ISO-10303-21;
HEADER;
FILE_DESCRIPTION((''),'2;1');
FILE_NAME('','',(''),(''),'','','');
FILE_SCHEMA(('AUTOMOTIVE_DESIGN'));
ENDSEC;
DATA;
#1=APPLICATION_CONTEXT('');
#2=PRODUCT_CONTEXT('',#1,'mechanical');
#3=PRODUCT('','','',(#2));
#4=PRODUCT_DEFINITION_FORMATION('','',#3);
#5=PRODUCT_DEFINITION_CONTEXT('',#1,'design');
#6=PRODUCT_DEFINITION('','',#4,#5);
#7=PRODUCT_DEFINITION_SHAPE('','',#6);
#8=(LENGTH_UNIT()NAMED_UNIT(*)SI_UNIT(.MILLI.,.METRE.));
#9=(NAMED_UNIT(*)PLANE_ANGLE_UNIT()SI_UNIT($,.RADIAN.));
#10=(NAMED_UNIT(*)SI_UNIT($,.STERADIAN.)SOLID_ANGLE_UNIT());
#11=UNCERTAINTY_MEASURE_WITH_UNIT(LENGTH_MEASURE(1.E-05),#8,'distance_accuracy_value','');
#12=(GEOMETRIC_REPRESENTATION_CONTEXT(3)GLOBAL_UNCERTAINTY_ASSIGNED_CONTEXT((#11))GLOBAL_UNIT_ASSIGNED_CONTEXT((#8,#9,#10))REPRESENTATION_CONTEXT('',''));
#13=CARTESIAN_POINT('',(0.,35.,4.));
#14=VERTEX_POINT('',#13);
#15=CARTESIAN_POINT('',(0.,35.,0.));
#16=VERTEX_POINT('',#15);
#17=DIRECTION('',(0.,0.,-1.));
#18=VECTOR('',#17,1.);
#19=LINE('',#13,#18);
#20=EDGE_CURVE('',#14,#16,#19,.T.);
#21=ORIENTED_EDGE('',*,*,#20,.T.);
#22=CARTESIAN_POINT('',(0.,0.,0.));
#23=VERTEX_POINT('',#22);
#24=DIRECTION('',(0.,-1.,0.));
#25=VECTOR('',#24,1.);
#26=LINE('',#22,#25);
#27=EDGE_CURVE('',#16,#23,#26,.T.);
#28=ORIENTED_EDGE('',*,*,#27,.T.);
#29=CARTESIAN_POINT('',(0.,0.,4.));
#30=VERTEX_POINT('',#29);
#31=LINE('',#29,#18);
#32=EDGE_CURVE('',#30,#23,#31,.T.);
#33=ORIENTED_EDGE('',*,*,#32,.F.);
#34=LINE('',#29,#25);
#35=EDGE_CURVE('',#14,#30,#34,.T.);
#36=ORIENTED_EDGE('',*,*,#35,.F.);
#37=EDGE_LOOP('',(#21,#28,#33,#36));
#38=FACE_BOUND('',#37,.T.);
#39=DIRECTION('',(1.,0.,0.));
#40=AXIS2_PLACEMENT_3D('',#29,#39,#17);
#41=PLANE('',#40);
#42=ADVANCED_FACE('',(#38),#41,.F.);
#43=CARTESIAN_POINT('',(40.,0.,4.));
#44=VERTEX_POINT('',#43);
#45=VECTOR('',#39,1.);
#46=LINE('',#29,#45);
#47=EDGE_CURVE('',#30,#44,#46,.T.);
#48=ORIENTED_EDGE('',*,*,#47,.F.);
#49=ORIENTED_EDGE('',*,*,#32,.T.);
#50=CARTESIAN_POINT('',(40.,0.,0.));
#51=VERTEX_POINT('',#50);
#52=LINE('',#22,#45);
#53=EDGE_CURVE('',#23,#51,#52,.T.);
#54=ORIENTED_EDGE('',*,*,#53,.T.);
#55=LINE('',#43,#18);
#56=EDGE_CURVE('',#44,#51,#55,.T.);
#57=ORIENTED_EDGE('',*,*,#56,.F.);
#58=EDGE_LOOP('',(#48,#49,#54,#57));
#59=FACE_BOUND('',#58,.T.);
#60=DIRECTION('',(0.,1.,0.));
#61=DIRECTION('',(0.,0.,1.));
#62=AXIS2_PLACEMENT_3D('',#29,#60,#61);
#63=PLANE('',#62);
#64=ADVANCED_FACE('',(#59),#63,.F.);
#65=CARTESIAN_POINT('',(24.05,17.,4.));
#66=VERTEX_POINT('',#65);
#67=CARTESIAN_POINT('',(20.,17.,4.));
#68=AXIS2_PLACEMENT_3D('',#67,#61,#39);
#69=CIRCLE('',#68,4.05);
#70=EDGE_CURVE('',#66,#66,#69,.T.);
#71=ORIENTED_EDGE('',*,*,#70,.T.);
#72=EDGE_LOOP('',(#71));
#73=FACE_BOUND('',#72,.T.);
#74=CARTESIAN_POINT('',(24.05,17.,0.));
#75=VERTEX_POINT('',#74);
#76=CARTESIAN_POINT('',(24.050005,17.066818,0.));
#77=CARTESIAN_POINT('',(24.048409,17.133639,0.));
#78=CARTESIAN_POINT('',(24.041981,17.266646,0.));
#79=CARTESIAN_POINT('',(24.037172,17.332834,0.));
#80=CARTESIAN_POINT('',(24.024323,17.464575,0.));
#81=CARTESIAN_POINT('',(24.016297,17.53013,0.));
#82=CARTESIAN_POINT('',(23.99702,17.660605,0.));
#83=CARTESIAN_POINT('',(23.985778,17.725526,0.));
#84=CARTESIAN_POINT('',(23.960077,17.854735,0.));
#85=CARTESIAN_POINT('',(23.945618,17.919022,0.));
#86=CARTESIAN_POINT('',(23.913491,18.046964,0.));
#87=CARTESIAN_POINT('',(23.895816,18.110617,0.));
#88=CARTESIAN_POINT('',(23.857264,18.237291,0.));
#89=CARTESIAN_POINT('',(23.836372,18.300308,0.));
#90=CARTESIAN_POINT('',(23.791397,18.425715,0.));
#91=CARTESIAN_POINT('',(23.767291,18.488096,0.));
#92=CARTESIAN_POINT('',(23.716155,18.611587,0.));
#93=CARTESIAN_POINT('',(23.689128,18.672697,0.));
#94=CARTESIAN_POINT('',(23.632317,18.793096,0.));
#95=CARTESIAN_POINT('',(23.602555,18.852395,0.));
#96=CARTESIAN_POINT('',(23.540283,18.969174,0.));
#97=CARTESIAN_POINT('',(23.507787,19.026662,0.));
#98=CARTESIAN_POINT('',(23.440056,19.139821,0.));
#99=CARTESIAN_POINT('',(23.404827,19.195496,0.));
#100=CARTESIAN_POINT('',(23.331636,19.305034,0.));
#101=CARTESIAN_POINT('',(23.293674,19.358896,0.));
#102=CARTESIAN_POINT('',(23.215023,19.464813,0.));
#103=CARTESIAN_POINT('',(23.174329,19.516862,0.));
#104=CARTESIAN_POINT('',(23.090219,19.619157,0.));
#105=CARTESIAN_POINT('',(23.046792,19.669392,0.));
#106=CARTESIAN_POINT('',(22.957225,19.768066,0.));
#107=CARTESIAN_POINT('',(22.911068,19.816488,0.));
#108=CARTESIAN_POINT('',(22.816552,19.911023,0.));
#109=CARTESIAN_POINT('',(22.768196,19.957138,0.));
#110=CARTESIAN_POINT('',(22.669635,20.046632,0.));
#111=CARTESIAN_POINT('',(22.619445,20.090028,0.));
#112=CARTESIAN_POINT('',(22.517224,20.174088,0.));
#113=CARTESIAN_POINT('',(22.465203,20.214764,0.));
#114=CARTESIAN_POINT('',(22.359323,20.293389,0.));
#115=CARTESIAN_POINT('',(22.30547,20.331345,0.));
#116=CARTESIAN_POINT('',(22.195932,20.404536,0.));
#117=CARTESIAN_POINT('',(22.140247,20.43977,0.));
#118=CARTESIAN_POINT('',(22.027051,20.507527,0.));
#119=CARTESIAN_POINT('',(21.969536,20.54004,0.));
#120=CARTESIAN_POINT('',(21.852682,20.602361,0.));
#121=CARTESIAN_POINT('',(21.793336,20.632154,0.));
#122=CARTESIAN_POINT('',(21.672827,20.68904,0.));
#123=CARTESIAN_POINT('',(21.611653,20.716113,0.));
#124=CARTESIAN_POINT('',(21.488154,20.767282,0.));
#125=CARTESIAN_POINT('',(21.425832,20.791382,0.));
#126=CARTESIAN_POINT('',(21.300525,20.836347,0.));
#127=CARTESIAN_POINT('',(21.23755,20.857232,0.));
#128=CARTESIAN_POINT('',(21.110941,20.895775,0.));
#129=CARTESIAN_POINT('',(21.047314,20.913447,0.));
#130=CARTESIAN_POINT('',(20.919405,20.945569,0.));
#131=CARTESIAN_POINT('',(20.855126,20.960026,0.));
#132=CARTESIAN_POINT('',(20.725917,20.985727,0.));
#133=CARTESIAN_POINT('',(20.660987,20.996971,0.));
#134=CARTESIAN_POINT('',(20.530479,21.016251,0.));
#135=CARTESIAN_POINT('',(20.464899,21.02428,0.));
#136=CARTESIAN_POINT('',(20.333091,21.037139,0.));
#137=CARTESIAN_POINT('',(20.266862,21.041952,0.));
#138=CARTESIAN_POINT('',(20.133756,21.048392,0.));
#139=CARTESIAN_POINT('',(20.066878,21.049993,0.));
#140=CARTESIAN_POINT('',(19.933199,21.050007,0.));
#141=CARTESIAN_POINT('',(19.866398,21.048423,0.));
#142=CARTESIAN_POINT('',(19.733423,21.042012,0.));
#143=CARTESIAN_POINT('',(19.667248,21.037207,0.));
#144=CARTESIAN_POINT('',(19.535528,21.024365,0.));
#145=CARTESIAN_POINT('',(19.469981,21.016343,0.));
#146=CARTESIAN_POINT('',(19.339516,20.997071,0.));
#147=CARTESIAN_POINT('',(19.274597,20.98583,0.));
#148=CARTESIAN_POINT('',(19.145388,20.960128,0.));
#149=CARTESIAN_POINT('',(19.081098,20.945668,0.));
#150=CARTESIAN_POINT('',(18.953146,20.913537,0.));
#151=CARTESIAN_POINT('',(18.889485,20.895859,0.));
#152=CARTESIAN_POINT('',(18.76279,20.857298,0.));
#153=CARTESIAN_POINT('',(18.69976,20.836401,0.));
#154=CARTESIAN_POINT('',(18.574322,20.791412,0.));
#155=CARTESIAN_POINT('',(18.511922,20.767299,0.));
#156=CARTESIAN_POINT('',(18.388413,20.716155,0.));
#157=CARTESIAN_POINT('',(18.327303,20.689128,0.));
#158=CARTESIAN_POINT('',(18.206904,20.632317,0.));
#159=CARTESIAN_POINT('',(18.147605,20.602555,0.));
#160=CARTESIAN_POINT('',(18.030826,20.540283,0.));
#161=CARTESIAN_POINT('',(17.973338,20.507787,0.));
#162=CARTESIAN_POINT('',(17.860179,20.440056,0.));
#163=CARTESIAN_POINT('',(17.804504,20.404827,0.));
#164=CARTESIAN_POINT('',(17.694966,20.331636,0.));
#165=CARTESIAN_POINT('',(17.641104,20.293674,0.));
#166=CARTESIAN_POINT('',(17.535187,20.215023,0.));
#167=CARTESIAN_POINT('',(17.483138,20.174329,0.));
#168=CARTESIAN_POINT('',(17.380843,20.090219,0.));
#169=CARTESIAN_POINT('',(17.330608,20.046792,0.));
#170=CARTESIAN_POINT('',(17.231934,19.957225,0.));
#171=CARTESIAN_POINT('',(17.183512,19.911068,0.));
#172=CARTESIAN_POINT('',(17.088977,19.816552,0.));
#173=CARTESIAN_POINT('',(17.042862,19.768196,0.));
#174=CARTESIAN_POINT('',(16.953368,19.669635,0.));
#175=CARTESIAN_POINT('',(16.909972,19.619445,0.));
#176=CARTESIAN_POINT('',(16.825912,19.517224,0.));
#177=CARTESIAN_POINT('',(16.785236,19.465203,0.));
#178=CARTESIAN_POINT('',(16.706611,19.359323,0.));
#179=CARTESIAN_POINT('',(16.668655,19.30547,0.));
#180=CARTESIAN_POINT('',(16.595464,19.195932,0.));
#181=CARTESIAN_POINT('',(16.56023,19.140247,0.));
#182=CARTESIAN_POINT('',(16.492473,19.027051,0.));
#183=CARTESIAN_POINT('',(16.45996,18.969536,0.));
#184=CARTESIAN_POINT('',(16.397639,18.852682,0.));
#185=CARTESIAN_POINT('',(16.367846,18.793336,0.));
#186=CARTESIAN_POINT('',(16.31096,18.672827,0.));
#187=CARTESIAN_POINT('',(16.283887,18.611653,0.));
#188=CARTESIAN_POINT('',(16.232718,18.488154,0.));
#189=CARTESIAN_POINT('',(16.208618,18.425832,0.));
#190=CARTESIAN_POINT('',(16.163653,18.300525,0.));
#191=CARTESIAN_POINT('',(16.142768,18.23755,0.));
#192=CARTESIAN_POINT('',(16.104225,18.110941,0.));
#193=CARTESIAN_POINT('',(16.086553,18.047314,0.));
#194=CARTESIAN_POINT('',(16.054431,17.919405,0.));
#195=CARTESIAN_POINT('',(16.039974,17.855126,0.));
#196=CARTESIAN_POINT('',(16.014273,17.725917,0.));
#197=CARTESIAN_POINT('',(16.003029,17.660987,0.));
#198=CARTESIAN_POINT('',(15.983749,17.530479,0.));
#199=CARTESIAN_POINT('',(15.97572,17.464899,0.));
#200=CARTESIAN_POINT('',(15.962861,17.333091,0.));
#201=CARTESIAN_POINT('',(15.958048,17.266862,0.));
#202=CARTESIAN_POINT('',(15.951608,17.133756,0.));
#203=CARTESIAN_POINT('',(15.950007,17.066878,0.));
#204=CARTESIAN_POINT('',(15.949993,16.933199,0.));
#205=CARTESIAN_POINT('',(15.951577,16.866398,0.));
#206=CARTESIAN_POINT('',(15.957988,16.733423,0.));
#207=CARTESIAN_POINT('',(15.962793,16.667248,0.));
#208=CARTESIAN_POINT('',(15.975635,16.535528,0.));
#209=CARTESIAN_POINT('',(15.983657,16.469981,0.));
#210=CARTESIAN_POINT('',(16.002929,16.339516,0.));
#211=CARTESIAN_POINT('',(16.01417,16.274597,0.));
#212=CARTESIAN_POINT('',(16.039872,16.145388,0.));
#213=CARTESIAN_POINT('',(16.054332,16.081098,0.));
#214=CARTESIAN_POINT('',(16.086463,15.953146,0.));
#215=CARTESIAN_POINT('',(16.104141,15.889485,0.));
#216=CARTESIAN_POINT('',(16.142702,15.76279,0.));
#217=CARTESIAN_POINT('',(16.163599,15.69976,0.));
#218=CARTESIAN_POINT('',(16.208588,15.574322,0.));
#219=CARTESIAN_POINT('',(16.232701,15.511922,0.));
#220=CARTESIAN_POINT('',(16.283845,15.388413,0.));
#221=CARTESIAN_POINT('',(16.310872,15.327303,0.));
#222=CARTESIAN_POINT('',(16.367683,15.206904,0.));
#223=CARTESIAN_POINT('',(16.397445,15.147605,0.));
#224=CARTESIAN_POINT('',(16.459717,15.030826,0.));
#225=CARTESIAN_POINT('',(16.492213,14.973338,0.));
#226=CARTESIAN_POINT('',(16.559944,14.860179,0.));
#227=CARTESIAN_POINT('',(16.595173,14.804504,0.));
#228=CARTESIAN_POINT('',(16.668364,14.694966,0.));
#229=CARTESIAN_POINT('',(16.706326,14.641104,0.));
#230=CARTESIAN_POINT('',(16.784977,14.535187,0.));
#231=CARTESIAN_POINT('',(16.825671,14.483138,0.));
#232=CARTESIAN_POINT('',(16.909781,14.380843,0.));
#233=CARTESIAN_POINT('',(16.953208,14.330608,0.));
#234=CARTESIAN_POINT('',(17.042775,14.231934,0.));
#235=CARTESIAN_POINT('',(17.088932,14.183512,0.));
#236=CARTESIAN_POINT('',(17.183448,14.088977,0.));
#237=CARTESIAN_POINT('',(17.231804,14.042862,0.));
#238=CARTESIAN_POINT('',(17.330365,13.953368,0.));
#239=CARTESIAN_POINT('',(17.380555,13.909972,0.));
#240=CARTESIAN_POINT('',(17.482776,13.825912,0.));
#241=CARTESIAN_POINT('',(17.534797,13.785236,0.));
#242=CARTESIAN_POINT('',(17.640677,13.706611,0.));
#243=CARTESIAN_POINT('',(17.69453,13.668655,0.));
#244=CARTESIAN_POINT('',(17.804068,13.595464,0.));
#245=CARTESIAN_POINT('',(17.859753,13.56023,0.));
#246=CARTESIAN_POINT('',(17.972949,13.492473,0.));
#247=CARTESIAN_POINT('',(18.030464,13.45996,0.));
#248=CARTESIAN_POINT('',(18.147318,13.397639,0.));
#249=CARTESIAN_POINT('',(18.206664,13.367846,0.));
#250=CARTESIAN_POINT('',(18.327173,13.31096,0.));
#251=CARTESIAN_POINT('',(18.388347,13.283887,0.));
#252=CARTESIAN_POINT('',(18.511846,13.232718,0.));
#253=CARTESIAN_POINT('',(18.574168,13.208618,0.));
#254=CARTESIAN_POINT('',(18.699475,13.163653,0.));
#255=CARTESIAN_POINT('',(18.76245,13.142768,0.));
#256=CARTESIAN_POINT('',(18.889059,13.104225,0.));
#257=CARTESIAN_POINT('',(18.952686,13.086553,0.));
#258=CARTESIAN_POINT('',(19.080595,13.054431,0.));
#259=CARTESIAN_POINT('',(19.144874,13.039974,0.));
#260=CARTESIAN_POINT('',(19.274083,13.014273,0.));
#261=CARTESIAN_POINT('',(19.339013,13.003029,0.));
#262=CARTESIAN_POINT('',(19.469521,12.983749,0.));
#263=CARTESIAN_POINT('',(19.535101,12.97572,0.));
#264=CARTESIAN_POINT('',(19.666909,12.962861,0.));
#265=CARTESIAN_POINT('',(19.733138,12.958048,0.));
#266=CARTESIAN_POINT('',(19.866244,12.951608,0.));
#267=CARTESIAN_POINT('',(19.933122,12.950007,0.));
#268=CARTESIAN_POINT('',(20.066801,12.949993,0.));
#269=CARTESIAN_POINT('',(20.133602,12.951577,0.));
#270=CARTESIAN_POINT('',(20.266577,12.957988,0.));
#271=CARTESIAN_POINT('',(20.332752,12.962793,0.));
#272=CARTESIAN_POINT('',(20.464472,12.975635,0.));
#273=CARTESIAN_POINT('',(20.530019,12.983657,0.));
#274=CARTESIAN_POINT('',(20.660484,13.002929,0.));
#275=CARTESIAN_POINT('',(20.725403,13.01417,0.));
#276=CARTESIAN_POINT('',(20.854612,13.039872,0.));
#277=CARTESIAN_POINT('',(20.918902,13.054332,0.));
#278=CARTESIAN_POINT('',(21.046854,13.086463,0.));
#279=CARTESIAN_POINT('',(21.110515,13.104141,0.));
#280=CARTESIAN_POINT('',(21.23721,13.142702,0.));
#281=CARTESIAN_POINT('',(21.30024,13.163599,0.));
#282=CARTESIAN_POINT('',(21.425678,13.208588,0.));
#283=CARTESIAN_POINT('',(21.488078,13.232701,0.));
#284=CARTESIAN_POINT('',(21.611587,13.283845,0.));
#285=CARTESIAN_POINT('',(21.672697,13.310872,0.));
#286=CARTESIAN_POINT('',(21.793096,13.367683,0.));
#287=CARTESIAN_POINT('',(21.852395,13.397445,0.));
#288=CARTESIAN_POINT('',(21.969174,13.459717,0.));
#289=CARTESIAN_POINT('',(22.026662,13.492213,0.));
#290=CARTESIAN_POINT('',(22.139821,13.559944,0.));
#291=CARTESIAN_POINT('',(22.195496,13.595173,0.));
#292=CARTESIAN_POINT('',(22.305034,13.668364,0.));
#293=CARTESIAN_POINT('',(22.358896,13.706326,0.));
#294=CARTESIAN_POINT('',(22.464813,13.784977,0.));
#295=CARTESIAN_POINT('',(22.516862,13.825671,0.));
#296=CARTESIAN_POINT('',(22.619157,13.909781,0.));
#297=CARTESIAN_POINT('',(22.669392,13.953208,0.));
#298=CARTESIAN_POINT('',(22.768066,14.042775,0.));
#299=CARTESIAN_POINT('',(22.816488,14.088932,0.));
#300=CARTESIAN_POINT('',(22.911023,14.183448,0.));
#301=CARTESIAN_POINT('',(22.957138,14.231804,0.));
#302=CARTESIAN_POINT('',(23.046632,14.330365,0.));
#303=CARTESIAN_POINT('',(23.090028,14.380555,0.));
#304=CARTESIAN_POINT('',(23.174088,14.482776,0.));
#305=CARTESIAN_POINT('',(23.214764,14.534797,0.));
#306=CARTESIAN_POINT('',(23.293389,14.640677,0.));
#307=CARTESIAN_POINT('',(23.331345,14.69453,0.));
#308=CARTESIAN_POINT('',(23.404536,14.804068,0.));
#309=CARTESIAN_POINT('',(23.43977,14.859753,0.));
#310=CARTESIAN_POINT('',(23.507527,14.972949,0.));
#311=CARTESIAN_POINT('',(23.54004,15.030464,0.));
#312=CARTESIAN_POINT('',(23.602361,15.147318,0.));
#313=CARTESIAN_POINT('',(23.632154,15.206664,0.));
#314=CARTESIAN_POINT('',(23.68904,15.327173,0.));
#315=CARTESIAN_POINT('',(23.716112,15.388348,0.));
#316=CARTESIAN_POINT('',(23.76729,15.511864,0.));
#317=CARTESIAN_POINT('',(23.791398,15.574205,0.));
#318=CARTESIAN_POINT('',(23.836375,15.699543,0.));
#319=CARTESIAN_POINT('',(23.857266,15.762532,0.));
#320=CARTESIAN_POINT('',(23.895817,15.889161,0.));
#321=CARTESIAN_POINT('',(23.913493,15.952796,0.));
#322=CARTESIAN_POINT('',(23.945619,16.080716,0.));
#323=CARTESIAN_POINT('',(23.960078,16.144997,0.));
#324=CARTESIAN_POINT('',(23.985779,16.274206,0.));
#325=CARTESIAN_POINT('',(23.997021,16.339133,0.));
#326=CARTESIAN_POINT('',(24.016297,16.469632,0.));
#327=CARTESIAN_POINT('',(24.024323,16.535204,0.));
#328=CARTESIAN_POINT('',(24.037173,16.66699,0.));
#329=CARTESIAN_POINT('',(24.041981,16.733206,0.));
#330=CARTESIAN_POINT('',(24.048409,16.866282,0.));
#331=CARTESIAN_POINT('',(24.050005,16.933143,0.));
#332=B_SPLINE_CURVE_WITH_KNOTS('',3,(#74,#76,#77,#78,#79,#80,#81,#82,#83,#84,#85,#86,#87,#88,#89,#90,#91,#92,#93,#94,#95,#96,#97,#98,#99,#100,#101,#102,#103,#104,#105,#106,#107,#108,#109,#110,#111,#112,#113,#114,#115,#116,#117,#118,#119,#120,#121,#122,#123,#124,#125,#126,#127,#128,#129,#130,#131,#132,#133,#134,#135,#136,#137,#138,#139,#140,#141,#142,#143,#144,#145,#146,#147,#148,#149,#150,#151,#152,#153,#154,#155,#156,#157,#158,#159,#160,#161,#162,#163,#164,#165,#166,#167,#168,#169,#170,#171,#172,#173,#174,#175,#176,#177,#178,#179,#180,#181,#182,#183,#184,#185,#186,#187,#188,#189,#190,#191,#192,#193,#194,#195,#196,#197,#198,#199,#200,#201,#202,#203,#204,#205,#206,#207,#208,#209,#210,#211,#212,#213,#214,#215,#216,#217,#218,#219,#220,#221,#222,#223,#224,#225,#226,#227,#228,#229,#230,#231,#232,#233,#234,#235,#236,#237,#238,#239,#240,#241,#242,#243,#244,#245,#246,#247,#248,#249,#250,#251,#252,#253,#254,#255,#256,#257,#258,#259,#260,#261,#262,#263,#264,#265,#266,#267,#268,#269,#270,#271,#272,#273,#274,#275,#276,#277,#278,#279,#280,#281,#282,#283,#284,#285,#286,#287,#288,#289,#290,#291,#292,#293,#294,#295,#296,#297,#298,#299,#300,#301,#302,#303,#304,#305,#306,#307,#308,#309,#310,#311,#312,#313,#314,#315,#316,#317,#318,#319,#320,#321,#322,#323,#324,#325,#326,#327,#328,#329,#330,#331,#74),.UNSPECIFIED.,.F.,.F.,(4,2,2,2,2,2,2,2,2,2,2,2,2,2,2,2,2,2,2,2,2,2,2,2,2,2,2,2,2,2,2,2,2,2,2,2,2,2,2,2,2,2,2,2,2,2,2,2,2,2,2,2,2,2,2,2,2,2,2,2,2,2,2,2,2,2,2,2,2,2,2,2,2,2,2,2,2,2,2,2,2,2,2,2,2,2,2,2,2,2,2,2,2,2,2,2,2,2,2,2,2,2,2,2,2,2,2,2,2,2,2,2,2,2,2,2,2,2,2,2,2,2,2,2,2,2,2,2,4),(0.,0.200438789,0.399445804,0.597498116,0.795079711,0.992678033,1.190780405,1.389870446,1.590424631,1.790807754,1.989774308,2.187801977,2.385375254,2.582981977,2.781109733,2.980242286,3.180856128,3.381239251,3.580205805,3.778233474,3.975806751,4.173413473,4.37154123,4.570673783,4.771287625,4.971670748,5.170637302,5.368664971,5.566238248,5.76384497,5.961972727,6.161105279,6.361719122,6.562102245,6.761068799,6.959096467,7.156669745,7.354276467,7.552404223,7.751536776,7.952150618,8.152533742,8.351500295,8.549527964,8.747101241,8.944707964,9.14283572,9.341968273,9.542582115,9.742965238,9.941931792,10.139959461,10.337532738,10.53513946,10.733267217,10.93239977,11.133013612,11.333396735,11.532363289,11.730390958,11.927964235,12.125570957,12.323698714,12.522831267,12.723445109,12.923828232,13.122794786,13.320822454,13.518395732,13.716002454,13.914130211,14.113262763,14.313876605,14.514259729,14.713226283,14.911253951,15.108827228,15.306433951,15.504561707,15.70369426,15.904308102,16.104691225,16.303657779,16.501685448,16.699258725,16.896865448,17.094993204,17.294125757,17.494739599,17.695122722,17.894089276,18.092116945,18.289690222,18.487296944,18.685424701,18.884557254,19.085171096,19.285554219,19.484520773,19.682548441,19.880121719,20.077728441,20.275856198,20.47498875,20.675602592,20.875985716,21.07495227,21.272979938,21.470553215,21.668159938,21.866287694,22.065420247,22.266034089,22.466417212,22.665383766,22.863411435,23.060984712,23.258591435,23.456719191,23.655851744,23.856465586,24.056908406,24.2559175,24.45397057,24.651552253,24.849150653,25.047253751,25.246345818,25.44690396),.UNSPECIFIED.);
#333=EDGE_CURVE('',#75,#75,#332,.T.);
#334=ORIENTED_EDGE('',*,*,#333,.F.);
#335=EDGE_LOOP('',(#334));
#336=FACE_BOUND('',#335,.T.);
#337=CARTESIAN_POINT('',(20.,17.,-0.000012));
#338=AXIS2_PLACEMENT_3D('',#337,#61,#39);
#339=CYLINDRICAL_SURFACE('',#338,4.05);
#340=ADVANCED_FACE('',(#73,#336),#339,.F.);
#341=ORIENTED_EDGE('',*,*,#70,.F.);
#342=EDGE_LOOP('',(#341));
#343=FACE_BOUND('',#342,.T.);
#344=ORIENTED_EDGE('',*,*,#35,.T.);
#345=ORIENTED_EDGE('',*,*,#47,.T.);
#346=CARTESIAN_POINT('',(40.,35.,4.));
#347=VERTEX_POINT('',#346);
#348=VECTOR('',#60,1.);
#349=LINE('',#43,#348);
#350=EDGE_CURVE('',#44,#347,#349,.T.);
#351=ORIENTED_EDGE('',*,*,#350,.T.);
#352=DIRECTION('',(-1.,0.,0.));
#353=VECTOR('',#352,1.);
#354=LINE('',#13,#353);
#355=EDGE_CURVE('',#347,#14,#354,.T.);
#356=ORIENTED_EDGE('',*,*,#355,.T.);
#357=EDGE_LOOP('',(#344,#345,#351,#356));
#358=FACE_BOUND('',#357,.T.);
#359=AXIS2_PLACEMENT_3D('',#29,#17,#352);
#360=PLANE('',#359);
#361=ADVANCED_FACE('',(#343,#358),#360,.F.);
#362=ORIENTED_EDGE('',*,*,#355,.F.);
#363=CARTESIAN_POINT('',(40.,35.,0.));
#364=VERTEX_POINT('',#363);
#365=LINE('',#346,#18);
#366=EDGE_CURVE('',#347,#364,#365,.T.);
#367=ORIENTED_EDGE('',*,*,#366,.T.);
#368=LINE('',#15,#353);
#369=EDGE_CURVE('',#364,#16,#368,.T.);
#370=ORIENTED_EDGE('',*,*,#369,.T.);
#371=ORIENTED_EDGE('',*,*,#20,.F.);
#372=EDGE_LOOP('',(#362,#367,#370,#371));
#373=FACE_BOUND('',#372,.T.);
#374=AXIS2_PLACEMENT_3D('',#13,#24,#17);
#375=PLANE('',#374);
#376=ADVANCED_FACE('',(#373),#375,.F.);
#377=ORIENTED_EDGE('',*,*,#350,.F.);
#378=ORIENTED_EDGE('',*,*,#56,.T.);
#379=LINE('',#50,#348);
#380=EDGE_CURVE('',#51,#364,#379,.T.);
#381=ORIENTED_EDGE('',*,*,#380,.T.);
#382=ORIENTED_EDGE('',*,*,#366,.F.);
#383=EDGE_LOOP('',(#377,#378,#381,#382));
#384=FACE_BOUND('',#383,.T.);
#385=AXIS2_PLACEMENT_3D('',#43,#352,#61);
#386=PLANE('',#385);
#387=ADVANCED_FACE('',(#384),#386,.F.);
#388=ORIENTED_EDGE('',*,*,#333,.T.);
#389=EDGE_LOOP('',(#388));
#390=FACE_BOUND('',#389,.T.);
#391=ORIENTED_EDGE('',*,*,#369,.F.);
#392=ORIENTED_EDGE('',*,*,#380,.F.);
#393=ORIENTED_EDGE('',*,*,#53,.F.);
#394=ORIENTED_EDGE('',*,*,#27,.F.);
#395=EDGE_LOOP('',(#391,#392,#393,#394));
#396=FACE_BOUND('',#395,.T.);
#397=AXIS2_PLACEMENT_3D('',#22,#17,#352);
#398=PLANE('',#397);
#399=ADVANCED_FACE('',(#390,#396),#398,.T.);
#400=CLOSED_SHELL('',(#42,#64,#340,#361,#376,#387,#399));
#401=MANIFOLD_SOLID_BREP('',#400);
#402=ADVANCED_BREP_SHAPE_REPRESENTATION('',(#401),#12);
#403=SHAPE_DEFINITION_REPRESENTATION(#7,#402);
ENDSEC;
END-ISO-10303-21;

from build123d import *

# Parameters (mm, degrees)
SKETCH1_W                     = 40
SKETCH1_H                     = 35
PROFILE_DEPTH                 = 4
FASTENER_CLEARANCE_DEPTH      = 54.301031885
FASTENER_CLEARANCE_DEPTH_BACK = 54.301031885
SKETCH2_R                     = 4.05


with BuildPart() as part:
    # Sketch1 → Profile (new body)
    with BuildSketch(Plane.XY):
        with Locations((20, 17.5)):
            Rectangle(SKETCH1_W, SKETCH1_H)
    extrude(amount=PROFILE_DEPTH)

    # Sketch2 → Fastener_clearance (cut, two sides: drawn at the far end of the back side and taken through both)
    with BuildSketch(Plane.XY.offset(-FASTENER_CLEARANCE_DEPTH_BACK)):
        with Locations((20, 17)):
            Circle(SKETCH2_R)
    extrude(amount=FASTENER_CLEARANCE_DEPTH + FASTENER_CLEARANCE_DEPTH_BACK, mode=Mode.SUBTRACT)


solid = part.part
